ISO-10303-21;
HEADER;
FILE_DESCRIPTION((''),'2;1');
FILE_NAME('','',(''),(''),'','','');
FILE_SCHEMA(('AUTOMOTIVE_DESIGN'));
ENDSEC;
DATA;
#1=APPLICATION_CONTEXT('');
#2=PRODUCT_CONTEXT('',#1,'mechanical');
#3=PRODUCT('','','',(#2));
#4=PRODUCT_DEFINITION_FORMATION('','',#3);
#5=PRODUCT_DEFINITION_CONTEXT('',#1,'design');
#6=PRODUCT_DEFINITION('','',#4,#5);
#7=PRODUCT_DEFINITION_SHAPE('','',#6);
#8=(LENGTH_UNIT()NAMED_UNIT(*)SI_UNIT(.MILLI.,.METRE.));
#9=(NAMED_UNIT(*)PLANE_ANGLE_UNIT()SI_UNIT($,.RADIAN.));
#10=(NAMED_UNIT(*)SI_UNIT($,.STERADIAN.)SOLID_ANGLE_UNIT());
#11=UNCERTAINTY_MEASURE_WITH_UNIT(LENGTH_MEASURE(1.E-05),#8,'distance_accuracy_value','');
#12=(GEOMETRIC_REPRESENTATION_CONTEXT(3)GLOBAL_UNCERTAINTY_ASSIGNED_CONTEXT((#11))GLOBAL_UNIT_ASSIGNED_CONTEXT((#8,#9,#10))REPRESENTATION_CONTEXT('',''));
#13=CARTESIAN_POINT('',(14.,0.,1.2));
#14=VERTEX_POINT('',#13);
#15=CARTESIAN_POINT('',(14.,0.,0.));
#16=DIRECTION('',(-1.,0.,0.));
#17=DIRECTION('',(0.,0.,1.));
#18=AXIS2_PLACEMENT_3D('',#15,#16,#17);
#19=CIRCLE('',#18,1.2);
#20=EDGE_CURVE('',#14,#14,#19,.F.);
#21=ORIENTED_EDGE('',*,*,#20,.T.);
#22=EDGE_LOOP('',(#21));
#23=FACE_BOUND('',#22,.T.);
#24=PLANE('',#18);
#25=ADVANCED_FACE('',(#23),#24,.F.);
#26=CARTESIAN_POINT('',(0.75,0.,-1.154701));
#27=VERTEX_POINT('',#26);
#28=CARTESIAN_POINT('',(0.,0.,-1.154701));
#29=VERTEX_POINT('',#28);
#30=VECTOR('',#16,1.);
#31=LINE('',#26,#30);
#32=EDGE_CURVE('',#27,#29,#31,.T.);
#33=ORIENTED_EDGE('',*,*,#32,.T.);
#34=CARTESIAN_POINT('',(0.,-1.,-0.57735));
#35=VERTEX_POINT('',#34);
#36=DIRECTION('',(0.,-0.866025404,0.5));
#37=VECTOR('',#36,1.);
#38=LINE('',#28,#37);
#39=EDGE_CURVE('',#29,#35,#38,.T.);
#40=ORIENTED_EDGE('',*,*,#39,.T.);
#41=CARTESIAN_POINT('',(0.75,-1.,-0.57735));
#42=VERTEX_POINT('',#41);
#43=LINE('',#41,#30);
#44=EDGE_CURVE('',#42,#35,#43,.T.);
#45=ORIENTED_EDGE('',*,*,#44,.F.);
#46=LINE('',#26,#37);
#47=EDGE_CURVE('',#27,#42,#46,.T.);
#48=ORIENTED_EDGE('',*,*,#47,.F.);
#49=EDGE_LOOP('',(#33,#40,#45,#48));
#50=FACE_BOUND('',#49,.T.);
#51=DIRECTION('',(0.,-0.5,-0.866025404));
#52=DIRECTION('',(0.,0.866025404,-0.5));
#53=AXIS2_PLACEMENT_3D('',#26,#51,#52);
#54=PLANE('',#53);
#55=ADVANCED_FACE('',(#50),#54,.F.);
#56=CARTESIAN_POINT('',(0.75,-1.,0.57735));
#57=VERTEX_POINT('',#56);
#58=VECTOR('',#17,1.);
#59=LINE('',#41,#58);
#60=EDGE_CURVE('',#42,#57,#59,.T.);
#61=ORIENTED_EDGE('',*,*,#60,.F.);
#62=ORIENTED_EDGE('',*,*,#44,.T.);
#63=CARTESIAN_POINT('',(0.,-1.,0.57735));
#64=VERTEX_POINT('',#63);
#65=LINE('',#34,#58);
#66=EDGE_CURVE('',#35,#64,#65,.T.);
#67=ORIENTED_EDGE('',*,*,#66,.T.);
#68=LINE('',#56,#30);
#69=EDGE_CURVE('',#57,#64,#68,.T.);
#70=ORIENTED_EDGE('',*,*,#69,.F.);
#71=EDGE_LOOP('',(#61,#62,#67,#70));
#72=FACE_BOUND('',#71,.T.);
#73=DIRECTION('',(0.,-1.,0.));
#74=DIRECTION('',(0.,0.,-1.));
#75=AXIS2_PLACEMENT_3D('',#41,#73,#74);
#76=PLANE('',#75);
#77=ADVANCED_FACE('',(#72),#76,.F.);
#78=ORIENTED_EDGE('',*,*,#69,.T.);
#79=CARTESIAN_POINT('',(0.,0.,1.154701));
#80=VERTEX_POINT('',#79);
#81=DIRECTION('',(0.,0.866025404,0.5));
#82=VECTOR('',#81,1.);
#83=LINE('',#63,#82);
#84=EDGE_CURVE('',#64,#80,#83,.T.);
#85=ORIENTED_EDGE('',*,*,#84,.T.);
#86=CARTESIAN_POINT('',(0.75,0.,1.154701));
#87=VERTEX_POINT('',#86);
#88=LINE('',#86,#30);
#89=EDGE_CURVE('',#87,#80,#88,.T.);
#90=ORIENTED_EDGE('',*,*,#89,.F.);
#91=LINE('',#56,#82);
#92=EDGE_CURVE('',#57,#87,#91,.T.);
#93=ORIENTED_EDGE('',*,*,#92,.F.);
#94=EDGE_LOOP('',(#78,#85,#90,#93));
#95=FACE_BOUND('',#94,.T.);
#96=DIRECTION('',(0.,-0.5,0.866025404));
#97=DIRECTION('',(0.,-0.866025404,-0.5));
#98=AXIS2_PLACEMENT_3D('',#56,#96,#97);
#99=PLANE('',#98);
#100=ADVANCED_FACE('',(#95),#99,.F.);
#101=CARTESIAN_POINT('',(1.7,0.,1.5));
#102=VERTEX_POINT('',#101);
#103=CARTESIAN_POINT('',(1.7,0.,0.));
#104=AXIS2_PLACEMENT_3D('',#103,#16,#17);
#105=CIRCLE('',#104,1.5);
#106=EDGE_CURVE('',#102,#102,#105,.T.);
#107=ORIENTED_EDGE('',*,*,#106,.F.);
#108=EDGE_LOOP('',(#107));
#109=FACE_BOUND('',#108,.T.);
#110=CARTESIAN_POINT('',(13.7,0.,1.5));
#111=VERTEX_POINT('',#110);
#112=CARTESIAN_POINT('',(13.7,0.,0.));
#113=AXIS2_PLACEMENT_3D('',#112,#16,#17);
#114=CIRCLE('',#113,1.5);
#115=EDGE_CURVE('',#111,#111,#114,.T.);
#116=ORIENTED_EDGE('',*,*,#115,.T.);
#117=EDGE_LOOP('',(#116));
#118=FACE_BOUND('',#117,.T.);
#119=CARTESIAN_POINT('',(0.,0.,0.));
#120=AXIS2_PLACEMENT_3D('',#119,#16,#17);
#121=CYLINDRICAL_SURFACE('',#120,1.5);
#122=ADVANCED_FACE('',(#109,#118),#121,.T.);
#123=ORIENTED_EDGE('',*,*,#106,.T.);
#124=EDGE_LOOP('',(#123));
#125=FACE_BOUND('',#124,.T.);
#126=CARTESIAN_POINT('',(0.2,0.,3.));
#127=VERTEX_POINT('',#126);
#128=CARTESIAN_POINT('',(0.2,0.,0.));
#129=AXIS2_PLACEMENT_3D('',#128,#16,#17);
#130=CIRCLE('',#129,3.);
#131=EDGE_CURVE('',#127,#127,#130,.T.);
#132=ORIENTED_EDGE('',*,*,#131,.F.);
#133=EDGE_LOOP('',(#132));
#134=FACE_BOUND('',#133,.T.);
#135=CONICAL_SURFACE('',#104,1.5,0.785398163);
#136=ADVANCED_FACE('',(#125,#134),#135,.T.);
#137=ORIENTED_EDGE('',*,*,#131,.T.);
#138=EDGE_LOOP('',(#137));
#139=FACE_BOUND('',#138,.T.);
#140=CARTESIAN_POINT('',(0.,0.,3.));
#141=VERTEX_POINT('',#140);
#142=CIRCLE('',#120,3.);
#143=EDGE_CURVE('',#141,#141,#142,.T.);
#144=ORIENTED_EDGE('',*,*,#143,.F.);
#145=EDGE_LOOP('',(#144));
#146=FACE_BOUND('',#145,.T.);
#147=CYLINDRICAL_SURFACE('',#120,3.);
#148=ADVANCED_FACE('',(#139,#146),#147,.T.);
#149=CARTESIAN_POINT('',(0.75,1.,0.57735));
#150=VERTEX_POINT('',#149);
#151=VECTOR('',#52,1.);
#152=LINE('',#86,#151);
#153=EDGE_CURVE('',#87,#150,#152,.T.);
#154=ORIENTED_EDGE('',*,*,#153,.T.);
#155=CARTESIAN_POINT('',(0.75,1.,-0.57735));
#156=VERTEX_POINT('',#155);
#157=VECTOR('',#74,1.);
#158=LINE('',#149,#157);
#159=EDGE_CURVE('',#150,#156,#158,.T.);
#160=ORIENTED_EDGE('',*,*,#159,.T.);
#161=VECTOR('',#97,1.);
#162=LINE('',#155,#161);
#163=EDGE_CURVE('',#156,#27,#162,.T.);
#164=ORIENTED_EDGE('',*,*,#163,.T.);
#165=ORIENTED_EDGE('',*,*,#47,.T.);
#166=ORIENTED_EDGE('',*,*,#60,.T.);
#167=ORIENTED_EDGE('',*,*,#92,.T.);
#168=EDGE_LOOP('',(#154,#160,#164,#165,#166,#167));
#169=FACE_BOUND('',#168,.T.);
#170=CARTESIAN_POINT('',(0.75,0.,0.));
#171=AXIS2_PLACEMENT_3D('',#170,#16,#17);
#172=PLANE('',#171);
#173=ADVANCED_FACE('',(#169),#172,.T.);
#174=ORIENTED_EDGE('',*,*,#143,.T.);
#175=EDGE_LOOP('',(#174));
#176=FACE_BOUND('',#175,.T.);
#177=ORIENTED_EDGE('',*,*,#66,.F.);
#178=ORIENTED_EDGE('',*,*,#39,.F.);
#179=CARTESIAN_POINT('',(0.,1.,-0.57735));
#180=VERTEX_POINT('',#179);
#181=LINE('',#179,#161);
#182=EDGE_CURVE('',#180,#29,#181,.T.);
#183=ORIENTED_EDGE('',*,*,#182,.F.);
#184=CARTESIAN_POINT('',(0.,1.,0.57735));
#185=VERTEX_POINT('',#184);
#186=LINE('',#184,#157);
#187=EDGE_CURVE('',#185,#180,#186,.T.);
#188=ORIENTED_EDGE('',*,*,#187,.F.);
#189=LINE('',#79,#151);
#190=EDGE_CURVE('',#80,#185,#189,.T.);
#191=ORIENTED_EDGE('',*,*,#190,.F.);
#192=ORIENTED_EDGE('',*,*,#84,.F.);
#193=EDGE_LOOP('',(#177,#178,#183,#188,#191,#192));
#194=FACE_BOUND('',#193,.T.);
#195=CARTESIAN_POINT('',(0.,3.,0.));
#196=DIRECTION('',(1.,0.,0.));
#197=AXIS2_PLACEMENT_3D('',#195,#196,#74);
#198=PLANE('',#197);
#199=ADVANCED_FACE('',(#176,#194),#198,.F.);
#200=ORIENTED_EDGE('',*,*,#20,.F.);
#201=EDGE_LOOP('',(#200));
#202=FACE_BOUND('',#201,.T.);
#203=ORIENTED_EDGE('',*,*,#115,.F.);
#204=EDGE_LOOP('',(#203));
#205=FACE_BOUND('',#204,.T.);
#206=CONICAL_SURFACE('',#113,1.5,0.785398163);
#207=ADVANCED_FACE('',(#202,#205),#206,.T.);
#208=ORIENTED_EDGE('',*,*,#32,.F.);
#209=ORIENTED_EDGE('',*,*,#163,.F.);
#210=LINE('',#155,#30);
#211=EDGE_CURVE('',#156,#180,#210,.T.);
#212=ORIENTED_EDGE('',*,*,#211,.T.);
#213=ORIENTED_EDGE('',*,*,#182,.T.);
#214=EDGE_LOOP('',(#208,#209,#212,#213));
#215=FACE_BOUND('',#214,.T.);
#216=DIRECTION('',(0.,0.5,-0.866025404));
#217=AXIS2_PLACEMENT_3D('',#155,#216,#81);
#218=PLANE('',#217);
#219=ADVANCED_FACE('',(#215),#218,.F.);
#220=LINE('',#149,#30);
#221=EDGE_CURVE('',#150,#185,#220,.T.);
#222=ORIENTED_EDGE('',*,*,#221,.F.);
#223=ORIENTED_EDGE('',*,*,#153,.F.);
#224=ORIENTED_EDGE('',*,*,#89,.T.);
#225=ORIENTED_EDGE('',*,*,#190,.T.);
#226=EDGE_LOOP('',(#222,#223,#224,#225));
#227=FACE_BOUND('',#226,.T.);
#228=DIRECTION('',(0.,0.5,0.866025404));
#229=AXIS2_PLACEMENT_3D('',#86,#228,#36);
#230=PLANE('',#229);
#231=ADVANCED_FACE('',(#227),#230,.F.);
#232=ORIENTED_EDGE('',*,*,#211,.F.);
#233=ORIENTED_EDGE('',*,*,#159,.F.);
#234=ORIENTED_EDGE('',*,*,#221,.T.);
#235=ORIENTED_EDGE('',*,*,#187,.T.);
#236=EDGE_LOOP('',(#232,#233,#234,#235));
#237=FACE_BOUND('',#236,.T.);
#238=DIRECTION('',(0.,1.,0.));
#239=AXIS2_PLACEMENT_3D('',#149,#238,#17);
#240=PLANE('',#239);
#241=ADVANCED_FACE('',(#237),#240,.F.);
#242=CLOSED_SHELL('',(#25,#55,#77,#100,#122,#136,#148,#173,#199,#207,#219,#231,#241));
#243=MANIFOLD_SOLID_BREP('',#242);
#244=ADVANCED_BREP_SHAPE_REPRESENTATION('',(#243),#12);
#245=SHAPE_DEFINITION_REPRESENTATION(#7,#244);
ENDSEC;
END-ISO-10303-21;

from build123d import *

# Parameters (mm, degrees)
CHANFREIN1_SIZE         = 0.3
ENL_V_MAT_EXTRU_1_DEPTH = 0.75


with BuildPart() as part:
    # Esquisse1 → Révolution1 (revolve)
    with BuildSketch(Plane.XY, mode=Mode.PRIVATE) as r_volution1_sk:
        Polygon((0, 0), (14, 0), (14, 1.5), (1.7, 1.5), (0.2, 3), (0, 3), align=None)
    revolve(r_volution1_sk.sketch.rotate(Axis((0, 0, 0), (1, 0, 0)), 90), axis=Axis((0, 0, 0), (1, 0, 0)))

    # Chanfrein1
    chanfrein1_edges = [part.edges().sort_by_distance(p)[0] for p in [
        (14, 0, -1.5),
    ]]
    chamfer(chanfrein1_edges, length=CHANFREIN1_SIZE)

    # Esquisse2 → Enlèv. mat.-Extru.1 (cut)
    with BuildSketch(Plane.ZY):
        Polygon((0.577350269, -1), (1.154700538, 0), (0.577350269, 1), (-0.577350269, 1), (-1.154700538, 0), (-0.577350269, -1), align=None)
    extrude(amount=-ENL_V_MAT_EXTRU_1_DEPTH, mode=Mode.SUBTRACT)


solid = part.part
